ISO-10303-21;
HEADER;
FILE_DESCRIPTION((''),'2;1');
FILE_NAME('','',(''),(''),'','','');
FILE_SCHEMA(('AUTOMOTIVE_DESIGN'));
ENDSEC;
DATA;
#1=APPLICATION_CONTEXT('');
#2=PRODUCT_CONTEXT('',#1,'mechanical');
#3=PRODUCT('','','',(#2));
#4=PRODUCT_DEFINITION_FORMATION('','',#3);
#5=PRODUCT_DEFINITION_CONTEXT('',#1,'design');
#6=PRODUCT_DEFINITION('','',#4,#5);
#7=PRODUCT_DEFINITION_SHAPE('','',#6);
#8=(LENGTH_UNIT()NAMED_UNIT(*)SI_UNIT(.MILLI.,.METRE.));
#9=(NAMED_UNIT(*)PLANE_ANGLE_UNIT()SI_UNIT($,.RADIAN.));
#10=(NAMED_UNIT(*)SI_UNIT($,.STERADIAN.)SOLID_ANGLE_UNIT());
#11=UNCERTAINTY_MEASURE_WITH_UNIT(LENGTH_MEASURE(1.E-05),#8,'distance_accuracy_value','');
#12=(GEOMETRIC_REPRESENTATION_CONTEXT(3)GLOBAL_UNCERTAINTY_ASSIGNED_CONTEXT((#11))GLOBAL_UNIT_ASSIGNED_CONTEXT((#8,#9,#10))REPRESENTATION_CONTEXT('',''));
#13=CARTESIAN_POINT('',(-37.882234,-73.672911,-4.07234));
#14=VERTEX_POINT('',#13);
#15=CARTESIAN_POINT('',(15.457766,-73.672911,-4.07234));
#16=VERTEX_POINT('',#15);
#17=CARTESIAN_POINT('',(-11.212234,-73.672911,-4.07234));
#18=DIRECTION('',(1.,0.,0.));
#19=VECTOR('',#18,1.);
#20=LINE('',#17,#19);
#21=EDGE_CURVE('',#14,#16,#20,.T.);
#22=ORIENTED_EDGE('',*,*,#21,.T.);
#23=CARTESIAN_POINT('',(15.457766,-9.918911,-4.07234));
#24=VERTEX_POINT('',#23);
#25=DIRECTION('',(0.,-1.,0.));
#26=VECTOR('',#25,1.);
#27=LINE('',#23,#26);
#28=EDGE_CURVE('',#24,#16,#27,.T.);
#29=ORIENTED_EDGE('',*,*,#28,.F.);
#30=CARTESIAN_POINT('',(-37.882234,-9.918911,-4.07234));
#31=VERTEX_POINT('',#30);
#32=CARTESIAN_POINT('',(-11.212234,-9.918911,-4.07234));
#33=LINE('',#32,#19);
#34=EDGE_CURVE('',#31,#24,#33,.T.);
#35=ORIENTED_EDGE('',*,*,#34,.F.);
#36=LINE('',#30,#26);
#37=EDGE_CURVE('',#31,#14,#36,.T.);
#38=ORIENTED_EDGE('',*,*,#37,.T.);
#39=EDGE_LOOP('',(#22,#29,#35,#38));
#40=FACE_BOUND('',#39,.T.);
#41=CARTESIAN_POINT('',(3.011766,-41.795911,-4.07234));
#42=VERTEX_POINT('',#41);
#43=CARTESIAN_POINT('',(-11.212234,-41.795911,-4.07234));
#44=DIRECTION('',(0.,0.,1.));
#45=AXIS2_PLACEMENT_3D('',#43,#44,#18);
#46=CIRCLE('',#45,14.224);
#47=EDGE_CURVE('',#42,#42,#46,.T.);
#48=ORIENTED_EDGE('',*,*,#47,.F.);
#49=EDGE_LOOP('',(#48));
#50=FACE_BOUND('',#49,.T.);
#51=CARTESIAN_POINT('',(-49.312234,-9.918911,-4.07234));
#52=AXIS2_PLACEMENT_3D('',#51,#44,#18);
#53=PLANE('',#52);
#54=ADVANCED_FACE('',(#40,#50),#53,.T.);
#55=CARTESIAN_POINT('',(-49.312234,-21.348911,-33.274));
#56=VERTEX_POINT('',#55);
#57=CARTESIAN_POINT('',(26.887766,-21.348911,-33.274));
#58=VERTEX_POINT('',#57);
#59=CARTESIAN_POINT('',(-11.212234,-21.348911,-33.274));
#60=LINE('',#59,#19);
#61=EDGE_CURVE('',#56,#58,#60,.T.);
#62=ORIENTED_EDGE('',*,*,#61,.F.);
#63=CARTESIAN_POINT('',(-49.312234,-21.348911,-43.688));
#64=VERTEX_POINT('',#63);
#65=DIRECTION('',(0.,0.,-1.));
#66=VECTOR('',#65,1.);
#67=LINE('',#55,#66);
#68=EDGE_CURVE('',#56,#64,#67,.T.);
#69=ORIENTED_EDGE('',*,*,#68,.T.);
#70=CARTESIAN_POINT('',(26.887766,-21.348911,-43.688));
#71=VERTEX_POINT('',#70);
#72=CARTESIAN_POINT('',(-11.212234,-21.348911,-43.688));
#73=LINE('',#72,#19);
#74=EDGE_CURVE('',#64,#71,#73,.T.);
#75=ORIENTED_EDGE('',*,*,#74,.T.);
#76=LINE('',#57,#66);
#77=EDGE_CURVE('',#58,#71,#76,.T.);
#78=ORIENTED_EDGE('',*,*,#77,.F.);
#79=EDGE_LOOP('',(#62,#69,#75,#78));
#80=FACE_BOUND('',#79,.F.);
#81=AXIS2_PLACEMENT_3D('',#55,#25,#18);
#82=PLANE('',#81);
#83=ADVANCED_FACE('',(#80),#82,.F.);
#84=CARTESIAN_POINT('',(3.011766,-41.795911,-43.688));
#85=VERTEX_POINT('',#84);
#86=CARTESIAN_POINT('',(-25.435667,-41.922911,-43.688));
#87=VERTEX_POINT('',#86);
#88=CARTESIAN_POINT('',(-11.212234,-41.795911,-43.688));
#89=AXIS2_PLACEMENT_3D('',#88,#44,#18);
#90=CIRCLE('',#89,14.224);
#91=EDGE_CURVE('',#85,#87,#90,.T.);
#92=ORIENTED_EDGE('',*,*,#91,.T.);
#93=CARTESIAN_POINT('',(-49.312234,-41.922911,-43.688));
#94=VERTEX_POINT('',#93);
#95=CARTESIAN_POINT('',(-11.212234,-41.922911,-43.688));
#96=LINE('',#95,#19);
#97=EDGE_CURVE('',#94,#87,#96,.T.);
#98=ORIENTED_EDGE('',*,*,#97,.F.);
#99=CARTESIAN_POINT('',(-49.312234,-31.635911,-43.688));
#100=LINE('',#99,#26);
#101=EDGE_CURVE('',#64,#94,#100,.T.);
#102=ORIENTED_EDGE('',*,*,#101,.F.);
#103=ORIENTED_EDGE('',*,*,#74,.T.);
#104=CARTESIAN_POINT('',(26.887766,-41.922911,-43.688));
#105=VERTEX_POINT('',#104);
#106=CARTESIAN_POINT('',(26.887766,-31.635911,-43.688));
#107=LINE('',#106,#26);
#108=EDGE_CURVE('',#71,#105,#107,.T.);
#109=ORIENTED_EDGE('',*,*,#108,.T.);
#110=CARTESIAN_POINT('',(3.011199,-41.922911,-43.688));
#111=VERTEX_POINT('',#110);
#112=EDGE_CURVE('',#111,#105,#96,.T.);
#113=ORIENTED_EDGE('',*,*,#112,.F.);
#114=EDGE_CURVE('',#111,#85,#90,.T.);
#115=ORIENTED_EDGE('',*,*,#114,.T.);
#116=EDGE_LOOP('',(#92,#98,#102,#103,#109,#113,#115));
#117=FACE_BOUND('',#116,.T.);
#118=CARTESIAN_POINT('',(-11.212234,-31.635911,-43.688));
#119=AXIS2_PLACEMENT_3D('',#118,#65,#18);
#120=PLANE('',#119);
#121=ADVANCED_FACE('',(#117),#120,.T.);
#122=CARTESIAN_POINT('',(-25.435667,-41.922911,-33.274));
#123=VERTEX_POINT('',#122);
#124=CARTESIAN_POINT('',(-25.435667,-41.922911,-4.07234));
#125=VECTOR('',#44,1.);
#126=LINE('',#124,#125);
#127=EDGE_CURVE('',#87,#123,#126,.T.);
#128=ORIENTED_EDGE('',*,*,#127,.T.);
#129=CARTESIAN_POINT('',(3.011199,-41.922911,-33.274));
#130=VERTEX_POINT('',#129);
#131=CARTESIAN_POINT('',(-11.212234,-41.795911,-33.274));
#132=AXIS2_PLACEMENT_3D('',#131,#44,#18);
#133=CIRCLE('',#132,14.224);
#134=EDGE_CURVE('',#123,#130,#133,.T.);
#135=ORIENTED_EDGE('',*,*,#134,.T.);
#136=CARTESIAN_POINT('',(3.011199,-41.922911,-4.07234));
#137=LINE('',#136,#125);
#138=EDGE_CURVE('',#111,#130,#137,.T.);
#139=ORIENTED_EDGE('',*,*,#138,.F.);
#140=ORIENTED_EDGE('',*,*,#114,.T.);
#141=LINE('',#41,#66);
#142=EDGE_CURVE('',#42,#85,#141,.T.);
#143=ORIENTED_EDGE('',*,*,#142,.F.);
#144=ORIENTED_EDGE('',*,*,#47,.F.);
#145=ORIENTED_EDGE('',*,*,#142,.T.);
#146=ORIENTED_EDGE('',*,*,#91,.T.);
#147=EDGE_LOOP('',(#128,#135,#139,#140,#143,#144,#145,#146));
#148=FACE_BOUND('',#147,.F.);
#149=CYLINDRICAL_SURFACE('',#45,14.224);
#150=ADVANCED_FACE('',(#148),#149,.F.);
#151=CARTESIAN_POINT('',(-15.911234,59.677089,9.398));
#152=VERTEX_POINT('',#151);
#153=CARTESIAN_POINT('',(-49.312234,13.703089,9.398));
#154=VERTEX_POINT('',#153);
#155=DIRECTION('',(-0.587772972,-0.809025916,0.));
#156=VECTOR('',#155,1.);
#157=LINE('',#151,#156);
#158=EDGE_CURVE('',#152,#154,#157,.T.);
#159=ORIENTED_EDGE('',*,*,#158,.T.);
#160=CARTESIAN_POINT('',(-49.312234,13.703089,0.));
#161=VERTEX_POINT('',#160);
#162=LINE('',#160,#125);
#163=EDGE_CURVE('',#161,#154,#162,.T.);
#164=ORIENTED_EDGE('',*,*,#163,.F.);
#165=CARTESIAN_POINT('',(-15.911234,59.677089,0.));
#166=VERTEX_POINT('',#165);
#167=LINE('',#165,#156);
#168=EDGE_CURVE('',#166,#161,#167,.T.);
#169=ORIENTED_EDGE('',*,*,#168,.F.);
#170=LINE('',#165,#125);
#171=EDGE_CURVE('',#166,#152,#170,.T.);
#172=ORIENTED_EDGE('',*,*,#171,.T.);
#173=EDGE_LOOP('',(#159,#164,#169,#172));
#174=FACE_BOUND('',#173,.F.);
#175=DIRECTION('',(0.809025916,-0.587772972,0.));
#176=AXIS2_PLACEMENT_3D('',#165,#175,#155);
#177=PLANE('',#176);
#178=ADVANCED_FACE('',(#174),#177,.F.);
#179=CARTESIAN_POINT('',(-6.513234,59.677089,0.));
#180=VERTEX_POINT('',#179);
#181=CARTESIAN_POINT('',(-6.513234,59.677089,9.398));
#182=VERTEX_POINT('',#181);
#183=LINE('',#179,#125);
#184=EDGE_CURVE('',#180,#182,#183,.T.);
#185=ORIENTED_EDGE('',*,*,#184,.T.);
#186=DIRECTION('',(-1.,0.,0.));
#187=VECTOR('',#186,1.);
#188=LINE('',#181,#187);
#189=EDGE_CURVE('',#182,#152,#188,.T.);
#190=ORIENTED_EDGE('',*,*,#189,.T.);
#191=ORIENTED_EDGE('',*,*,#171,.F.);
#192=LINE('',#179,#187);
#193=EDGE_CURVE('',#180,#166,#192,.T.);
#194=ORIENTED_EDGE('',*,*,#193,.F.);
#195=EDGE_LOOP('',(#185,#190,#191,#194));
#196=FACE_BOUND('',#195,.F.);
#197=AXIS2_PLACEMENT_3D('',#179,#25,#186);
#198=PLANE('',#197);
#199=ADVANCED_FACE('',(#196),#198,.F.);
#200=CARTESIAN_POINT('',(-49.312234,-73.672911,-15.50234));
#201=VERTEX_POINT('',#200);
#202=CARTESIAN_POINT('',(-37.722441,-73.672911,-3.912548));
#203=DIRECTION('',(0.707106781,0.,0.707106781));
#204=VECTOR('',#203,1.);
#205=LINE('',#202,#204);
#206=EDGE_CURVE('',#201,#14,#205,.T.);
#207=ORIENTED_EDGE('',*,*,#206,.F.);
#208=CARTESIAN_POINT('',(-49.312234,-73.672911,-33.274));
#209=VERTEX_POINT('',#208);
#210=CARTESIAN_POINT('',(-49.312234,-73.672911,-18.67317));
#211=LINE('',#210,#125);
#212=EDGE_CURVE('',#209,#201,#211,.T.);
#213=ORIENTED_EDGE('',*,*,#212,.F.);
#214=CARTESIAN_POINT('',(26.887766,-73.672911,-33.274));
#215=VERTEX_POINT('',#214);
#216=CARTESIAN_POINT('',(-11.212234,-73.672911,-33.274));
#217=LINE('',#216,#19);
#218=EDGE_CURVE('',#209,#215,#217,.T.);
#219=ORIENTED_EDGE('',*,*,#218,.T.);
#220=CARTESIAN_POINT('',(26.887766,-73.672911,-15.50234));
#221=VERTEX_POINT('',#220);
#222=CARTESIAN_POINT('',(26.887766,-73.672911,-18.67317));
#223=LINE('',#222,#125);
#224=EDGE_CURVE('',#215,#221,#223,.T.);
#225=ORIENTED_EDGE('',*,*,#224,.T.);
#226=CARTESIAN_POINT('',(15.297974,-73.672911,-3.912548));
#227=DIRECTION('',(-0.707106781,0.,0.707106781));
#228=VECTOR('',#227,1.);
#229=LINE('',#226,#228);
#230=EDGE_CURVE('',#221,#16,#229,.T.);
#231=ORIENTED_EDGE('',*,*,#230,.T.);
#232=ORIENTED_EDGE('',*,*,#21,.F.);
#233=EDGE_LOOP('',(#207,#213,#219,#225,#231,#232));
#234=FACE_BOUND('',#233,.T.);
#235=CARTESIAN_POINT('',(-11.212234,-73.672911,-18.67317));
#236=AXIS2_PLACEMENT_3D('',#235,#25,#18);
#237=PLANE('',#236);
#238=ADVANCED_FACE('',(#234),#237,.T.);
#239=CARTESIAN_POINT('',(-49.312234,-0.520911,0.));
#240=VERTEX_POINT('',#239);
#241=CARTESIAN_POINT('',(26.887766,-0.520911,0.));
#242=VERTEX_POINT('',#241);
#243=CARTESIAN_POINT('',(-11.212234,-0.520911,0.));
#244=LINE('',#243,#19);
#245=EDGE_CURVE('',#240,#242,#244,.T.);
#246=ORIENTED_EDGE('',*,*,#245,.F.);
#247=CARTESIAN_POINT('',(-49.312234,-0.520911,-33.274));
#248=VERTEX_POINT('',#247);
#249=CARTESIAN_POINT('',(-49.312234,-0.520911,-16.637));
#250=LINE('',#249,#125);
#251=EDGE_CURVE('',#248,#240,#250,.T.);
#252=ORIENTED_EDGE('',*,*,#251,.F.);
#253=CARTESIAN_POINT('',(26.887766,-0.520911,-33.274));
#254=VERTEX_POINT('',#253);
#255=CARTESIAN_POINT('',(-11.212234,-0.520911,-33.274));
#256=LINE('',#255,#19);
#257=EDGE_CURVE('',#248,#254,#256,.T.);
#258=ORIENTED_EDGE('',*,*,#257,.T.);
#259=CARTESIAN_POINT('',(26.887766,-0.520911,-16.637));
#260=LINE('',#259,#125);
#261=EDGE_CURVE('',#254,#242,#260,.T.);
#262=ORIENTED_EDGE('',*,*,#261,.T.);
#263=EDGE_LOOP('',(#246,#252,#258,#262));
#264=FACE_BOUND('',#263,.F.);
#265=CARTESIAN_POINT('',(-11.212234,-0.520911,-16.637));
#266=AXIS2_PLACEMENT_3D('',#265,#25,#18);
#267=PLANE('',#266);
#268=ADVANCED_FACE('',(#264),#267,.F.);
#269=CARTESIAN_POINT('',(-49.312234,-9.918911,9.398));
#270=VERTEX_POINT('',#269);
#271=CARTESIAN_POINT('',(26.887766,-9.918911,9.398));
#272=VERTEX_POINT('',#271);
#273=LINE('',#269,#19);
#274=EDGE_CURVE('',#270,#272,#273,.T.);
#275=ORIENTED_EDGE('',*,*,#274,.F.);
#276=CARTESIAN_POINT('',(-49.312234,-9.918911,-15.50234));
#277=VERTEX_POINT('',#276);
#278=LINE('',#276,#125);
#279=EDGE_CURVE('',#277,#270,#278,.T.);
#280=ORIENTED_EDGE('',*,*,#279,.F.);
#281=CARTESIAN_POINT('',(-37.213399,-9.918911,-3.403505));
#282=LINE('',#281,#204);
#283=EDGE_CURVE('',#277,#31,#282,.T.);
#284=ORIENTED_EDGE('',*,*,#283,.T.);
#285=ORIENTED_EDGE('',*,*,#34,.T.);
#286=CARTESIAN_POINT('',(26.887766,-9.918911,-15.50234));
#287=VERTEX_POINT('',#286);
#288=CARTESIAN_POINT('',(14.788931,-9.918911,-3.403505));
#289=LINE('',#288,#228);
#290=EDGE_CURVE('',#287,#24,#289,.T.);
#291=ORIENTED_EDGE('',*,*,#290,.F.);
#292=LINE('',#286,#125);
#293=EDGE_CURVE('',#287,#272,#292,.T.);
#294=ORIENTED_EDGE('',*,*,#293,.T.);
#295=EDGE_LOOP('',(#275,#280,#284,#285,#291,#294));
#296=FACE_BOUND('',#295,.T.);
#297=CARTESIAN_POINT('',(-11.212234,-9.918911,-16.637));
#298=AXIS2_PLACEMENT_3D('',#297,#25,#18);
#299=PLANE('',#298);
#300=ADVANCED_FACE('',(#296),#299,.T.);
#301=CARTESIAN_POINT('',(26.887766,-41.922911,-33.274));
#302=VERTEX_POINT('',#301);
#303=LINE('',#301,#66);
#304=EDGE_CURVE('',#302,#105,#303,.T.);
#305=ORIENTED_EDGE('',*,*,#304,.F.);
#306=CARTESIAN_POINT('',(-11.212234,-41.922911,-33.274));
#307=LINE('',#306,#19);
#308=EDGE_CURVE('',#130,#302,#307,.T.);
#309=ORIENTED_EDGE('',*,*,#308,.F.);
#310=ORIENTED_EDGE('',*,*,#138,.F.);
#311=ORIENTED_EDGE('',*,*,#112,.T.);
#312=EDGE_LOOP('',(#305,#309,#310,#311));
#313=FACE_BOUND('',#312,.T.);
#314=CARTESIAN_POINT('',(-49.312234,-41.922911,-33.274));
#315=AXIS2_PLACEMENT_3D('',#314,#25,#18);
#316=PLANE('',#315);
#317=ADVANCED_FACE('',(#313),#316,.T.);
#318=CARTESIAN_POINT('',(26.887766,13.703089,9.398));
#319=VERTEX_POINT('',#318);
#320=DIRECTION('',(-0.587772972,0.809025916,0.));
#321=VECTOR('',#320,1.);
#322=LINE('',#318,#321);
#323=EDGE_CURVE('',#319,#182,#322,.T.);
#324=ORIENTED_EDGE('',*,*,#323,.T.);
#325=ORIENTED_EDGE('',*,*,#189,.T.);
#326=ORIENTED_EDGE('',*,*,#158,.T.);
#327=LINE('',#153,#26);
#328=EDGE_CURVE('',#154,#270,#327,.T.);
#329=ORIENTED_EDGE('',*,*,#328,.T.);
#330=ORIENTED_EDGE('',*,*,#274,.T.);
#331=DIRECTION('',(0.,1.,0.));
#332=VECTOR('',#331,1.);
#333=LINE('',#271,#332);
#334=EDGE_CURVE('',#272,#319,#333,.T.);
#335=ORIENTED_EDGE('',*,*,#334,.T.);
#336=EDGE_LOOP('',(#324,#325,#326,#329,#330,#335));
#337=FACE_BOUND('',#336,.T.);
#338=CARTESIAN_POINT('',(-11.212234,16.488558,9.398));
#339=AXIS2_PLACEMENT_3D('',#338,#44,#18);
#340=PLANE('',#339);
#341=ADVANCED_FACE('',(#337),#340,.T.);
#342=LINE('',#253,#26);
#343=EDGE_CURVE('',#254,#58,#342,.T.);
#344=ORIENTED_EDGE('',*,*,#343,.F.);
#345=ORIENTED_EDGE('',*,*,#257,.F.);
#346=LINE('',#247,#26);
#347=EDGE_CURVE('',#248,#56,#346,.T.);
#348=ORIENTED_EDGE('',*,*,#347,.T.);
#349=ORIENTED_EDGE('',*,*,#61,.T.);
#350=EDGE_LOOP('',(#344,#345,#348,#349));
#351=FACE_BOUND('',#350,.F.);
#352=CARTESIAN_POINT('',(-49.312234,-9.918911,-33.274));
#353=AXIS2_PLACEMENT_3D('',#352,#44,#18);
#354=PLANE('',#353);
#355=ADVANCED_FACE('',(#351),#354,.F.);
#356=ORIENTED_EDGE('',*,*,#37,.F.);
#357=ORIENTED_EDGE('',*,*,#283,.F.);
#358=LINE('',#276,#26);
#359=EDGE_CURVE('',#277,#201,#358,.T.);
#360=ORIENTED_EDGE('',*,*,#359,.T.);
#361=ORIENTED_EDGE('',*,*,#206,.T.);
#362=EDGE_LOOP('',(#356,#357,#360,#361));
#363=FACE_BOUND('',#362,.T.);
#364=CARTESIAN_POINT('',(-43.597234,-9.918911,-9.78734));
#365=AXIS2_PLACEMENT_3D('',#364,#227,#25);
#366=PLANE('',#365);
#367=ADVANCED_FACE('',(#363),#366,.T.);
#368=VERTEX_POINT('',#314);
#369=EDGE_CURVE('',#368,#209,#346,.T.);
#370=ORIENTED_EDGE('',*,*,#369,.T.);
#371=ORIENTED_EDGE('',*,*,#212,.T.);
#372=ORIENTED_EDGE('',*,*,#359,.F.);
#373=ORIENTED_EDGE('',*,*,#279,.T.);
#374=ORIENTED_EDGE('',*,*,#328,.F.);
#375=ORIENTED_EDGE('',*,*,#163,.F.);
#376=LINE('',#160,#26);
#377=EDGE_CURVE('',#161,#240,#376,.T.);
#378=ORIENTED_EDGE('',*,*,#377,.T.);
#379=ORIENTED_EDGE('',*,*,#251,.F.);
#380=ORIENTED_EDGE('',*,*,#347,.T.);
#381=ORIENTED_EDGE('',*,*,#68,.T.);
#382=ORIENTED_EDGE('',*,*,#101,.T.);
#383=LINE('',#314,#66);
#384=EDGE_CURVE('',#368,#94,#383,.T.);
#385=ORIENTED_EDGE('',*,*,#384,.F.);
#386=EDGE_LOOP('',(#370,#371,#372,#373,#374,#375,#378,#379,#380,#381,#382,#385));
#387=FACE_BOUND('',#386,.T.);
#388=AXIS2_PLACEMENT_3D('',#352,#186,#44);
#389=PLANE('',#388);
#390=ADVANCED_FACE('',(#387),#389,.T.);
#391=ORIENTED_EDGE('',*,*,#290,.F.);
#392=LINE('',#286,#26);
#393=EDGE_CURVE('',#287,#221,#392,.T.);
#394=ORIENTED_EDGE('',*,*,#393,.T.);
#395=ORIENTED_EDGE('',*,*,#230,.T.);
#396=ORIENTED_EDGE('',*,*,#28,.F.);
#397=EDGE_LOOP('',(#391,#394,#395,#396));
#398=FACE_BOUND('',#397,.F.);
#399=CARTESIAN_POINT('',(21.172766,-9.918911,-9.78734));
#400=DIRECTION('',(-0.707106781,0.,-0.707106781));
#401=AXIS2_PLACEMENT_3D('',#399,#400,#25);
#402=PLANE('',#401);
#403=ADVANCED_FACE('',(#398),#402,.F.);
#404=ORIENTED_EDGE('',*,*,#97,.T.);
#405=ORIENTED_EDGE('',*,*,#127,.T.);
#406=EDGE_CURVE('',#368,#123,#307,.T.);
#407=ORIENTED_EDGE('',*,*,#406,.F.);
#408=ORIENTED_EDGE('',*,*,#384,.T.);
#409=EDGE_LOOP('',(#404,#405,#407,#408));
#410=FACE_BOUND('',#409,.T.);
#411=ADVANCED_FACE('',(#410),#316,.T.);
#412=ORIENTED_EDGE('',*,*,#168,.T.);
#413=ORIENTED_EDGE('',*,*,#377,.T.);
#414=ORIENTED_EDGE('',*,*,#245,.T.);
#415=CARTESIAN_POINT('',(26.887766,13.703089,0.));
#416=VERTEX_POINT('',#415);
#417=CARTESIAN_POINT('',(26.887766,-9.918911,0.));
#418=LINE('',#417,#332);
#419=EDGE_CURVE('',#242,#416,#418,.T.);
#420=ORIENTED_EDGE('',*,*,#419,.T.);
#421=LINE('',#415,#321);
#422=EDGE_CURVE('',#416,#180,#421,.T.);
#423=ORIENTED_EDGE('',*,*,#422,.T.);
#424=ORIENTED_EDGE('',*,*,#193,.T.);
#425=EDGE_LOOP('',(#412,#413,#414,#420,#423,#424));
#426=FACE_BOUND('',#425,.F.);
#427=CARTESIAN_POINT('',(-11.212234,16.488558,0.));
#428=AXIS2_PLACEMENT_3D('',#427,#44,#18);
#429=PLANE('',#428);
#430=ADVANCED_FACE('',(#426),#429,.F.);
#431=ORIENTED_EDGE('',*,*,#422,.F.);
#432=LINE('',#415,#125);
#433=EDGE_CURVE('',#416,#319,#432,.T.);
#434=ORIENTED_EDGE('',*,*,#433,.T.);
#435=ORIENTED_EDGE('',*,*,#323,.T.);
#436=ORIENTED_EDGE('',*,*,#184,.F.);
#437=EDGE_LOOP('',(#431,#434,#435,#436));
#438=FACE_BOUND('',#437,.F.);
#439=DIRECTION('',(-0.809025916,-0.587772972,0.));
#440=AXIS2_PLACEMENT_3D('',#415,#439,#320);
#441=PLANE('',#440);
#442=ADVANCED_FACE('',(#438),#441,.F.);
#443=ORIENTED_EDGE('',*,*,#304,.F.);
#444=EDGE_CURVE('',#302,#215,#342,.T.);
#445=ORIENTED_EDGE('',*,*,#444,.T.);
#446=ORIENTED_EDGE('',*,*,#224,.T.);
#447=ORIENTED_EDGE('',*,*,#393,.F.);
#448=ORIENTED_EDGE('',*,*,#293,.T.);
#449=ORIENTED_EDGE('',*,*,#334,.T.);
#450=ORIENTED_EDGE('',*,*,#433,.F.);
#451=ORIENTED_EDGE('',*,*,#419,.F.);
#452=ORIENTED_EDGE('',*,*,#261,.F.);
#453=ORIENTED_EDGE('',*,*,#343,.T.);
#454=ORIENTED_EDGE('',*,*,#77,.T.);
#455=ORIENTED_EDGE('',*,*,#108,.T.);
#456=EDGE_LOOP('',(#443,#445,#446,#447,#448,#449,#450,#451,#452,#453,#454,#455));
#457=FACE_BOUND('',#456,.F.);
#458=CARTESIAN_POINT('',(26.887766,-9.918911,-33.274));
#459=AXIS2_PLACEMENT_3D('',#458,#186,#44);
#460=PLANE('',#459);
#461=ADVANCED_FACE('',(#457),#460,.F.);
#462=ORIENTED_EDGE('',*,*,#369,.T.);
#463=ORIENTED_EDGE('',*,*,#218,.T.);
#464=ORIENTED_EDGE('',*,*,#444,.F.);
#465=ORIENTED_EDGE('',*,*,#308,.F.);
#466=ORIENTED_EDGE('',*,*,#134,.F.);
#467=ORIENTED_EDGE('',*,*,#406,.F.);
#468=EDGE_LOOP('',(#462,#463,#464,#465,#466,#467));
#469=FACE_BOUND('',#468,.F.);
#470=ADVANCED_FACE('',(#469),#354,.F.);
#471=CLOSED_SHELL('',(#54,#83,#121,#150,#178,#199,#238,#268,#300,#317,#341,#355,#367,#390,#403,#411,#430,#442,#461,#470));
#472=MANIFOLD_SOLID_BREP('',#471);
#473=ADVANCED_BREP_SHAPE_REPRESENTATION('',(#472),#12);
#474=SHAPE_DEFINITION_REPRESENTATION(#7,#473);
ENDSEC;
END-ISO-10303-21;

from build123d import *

# Parameters (mm, degrees)
F1_DEPTH  = 9.398
F2_W      = 76.2
F2_H      = 33.274
F3_DEPTH  = 9.398
F4_W      = 76.2
F4_H      = 29.2016597947
F5_DEPTH  = 63.754
F6_SIZE   = 11.43
F7_W      = 76.2
F7_H      = 20.574
F8_DEPTH  = 10.414
F9_R      = 14.224
F10_DEPTH = 221.488


with BuildPart() as f1:
    # F0 (on Top) → F1 (new body)
    with BuildSketch(Plane.XY):
        Polygon((-49.3122338645, 13.7030885327), (-49.3122338645, -9.9189114673), (26.8877661355, -9.9189114673), (26.8877661355, 13.7030885327), (-6.5132338645, 59.6770885327), (-15.9112338645, 59.6770885327), align=None)
    extrude(amount=F1_DEPTH)

    # F2 (on face) → F3 (join)
    with BuildSketch(Plane.XZ.offset(9.9189114673)):
        with Locations((-11.2122338645, -16.637)):
            Rectangle(F2_W, F2_H)
    extrude(amount=-F3_DEPTH)

    # F4 (on face) → F5 (join)
    with BuildSketch(Plane.XZ.offset(9.9189114673)):
        with Locations((-11.2122338645, -18.6731701027)):
            Rectangle(F4_W, F4_H)
    extrude(amount=F5_DEPTH)

    # F6
    f6_edges = [f1.edges().sort_by_distance(p)[0] for p in [
        (26.887766, -41.795911, -4.07234),
        (-49.312234, -41.795911, -4.07234),
    ]]
    chamfer(f6_edges, length=F6_SIZE)

    # F7 (on face) → F8 (join)
    with BuildSketch(Plane(origin=(0, 0, -33.274), x_dir=(1, 0, 0), z_dir=(0, 0, -1))):
        with Locations((-11.2122338645, 31.6359114673)):
            Rectangle(F7_W, F7_H)
    extrude(amount=F8_DEPTH)

    # F9 (on face) → F10 (cut)
    with BuildSketch(Plane.XY.offset(-4.0723402053)):
        with Locations((-11.2122338645, -41.7959114673)):
            Circle(F9_R)
    extrude(amount=-F10_DEPTH, mode=Mode.SUBTRACT)


solid = f1.part
